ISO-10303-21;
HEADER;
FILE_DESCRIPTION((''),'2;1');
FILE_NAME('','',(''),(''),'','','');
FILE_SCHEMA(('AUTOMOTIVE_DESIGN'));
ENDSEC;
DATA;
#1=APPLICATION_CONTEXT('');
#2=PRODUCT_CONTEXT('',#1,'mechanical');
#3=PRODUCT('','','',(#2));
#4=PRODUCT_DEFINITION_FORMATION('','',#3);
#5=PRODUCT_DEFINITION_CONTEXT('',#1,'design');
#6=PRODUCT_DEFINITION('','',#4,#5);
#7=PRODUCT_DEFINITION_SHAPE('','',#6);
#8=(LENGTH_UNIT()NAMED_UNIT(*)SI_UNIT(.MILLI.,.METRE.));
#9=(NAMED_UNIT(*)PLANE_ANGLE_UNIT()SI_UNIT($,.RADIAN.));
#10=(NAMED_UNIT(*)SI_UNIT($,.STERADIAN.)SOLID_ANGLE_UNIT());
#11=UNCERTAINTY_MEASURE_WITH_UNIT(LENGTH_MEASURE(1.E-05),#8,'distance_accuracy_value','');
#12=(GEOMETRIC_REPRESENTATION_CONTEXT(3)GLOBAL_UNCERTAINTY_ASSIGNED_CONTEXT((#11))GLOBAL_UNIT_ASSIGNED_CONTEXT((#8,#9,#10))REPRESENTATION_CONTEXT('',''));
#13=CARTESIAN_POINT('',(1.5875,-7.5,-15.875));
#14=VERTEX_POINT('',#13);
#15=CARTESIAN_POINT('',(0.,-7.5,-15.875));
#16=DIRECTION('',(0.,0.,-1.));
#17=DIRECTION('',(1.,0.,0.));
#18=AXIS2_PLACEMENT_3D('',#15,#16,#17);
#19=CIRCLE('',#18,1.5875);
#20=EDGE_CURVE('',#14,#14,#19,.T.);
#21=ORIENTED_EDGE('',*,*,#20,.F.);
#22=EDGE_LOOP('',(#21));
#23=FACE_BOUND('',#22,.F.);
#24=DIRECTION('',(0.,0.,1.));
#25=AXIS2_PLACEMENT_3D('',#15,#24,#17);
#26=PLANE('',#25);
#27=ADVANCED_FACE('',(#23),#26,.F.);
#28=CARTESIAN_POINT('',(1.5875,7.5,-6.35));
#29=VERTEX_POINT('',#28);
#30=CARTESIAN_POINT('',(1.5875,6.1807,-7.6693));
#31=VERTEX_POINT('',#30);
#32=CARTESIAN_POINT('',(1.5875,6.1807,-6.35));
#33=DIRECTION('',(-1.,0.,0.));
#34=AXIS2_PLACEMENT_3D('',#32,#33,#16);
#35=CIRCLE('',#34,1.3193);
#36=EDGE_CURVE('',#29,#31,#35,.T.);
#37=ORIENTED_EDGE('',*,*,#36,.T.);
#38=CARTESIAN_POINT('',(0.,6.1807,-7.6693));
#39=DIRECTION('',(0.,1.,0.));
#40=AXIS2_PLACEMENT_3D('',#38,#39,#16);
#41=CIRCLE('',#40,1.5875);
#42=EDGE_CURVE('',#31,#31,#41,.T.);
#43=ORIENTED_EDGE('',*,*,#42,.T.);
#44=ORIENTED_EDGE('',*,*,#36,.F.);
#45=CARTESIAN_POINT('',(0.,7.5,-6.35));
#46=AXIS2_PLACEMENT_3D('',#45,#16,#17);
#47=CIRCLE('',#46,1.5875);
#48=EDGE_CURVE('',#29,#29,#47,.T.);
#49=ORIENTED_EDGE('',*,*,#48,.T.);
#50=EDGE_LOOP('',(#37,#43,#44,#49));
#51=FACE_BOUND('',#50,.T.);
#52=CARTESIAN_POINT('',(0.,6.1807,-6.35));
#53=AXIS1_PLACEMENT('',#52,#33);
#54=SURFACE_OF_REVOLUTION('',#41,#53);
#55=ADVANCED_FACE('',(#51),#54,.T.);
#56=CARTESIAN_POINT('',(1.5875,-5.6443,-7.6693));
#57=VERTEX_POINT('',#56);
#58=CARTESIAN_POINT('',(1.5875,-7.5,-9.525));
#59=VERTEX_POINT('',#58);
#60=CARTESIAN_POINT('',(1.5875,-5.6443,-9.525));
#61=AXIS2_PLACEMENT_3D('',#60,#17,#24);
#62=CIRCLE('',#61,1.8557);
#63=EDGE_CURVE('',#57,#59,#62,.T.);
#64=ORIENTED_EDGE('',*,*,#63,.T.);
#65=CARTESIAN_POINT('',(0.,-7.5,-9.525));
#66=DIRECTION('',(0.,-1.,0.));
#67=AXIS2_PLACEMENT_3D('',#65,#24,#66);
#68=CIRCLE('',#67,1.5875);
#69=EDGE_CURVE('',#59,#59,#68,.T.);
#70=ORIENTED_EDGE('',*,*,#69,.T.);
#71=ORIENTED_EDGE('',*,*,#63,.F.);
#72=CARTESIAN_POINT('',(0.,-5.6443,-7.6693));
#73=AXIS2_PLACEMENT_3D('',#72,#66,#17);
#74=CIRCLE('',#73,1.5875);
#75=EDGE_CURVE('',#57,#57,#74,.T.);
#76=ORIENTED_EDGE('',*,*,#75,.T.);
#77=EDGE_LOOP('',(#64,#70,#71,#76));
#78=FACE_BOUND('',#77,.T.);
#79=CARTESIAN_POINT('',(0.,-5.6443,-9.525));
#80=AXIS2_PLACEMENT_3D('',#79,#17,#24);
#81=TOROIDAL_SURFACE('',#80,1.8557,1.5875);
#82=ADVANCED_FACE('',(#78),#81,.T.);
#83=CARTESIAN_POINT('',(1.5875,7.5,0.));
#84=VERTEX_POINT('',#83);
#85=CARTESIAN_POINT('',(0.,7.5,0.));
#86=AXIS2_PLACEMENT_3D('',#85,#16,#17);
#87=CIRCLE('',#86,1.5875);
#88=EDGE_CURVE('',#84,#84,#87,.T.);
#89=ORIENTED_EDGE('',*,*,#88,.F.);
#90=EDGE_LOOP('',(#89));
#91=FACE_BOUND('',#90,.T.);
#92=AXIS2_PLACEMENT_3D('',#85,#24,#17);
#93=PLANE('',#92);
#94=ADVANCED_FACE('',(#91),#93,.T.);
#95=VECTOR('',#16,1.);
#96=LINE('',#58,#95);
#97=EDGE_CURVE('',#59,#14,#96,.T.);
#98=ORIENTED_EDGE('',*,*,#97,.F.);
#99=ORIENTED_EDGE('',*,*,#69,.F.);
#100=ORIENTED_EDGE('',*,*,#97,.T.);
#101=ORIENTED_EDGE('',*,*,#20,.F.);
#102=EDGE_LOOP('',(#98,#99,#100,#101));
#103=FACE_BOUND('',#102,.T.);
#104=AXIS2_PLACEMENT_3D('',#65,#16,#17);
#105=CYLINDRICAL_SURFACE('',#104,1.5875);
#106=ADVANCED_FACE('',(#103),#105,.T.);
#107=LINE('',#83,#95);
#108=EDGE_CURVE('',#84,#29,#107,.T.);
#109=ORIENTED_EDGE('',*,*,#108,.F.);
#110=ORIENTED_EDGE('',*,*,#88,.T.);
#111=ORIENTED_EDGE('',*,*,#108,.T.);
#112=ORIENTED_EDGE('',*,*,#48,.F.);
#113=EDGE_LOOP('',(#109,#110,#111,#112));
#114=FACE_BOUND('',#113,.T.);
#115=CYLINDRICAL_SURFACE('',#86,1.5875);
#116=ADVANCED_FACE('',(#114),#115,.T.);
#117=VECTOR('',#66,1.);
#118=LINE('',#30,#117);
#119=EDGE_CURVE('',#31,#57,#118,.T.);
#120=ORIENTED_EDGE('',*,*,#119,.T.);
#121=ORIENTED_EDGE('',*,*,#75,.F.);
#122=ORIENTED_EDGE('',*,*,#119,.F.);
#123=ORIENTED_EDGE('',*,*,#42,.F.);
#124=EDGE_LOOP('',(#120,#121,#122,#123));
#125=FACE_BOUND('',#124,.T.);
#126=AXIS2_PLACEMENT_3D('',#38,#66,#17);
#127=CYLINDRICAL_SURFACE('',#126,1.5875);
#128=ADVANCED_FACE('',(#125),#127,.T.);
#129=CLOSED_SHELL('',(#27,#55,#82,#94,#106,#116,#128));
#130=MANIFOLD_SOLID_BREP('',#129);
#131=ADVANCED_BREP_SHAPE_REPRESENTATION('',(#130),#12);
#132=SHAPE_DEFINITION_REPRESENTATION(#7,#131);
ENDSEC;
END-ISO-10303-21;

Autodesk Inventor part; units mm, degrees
ref_plane "YZ Plane" through (0, 0, 0) normal (1, 0, 0) x (0, 1, 0)
ref_plane "XZ Plane" through (0, 0, 0) normal (0, 1, 0) x (-1, 0, 0)
ref_plane "XY Plane" through (0, 0, 0) normal (0, 0, 1) x (1, 0, 0)
sketch "Sketch3" plane through (0, 0, 0) normal (0, 0, 1) x (1, 0, 0)
  circle A0 centre (0, 7.5) radius 1.5875
  point P0 (0, 0)
  dimension "d10" = 3.175
  dimension "d11" = 7.5
sketch "Sketch4" plane through (0, 0, 0) normal (1, 0, 0) x (0, 1, 0)
  line L0 (7.7682, 0) -> (7.7682, -6.35)
  line L1 (7.7682, 0) -> (14.1182, 0) construction
  line L2 (6.1807, -7.9375) -> (-5.6443, -7.9375)
  line L3 (-7.2318, -9.525) -> (-7.2318, -15.875)
  arc A0 (6.1807, -7.9375) -> (7.7682, -6.35) centre (6.1807, -6.35) ccw
  arc A1 (-5.6443, -7.9375) -> (-7.2318, -9.525) centre (-5.6443, -9.525) ccw
  point P0 (0, 0)
  point P1 (7.7682, -7.9375)
  point P2 (-7.2318, -7.9375)
  dimension "d12" = 7.9375
  dimension "d13" = 90
  dimension "d14" = 15
  dimension "d15" = 90
  dimension "d16" = 7.9375
  dimension "d17" = 1.5875
sweep "Sweep2" add profiles "Sketch3" path "Sketch4"
properties part number "crank bar" material "ABS Plastic"
